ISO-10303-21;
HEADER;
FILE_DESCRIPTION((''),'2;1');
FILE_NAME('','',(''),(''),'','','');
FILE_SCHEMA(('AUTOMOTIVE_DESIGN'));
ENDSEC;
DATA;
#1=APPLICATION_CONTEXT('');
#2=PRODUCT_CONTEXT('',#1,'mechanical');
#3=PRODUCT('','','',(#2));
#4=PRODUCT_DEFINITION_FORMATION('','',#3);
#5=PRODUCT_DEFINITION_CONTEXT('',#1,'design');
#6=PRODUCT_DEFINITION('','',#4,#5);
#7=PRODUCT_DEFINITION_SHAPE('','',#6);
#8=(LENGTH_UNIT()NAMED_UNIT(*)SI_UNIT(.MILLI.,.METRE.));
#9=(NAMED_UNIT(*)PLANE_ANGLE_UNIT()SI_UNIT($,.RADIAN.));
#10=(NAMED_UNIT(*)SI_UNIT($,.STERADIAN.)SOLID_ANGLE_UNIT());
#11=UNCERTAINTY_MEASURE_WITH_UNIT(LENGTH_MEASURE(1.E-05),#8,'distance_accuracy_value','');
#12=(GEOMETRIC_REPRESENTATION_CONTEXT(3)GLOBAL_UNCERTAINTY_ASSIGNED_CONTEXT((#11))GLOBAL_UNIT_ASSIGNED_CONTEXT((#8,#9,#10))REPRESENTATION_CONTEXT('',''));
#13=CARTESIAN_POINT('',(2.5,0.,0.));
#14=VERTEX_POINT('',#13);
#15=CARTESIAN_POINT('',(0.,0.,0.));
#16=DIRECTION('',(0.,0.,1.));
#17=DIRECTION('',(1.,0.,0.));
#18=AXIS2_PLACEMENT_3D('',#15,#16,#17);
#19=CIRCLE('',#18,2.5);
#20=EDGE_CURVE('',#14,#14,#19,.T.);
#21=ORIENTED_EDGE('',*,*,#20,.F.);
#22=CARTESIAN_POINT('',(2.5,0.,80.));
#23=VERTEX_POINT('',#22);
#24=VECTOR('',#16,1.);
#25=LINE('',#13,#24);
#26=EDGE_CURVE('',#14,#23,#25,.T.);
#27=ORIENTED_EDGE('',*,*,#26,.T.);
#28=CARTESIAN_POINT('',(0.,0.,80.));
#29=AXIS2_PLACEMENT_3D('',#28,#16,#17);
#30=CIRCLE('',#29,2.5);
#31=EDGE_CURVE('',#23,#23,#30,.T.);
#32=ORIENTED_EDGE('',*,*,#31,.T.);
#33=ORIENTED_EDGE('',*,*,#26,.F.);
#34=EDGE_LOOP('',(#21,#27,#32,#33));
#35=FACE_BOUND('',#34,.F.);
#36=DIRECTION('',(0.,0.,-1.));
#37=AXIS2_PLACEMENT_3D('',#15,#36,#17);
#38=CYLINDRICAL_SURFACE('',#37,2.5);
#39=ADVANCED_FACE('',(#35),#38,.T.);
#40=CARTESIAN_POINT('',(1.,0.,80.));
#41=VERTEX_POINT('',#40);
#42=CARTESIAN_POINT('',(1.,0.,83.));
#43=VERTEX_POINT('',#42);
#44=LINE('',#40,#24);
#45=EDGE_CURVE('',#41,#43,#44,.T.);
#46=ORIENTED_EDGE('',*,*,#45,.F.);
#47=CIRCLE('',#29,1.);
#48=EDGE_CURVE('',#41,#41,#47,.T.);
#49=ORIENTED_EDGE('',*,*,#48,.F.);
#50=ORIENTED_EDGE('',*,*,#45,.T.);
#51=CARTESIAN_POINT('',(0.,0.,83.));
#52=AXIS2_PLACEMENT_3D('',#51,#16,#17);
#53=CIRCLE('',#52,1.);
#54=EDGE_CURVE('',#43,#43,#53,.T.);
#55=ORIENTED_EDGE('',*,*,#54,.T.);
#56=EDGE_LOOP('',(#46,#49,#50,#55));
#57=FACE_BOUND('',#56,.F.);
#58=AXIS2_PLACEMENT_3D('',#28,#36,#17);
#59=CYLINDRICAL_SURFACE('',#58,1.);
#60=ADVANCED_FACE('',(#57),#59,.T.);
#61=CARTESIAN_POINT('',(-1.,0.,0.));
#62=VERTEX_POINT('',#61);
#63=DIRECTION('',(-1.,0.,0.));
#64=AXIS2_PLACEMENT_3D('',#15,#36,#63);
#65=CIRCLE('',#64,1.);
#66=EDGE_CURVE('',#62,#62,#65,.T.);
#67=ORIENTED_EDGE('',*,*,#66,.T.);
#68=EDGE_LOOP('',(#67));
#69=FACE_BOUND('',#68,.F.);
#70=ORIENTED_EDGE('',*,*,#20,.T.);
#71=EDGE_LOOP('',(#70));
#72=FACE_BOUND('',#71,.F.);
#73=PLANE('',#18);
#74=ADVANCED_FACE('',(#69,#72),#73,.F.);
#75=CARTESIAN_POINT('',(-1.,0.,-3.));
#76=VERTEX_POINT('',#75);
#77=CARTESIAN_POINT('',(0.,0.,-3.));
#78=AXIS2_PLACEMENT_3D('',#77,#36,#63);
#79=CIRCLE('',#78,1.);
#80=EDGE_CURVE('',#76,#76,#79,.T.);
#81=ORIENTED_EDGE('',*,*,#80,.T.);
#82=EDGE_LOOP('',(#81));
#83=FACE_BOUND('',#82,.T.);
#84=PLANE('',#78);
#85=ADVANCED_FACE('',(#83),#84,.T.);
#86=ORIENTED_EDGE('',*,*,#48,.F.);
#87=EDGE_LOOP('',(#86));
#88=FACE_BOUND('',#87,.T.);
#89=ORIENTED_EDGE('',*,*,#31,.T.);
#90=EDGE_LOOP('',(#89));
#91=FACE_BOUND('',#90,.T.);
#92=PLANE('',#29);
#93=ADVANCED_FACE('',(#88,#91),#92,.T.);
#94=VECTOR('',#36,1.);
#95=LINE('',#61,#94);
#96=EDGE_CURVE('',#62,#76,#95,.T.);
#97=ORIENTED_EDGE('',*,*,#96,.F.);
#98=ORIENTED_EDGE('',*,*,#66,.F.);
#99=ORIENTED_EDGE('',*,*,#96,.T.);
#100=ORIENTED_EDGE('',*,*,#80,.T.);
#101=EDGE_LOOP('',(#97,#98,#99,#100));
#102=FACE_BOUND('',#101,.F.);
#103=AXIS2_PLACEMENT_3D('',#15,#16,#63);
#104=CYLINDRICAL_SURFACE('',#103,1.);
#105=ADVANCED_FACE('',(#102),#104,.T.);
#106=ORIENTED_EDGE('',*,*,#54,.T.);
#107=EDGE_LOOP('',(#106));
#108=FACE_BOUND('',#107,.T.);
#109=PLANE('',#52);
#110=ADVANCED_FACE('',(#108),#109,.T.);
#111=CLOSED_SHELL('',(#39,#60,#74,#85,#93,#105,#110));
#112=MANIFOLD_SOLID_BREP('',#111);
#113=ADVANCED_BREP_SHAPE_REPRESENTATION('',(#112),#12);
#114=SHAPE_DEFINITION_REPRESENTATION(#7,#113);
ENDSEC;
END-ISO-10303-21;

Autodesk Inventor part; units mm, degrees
ref_plane "YZ Plane" through (0, 0, 0) normal (1, 0, 0) x (0, 1, 0)
ref_plane "XZ Plane" through (0, 0, 0) normal (0, 1, 0) x (-1, 0, 0)
ref_plane "XY Plane" through (0, 0, 0) normal (0, 0, 1) x (1, 0, 0)
sketch "Sketch1" plane through (0, 0, 0) normal (0, 0, 1) x (1, 0, 0)
  circle A0 centre (0, 0) radius 2.5
  dimension "d0" = 5
extrude "Extrusion1" add sketch "Sketch1" along normal blind 80
sketch "Sketch2" plane through (0, 0, 80) normal (0, 0, 1) x (1, 0, 0)
  circle A0 centre (0, 0) radius 2.5 projected
  circle A1 centre (0, 0) radius 1
  dimension "d3" = 2
extrude "Extrusion2" add sketch "Sketch2" along normal blind 3 contours A1
sketch "Sketch3" plane through (0, 0, 0) normal (0, 0, -1) x (-1, 0, 0)
  circle A0 centre (0, 0) radius 1
  dimension "d6" = 2
extrude "Extrusion3" add sketch "Sketch3" along normal blind 3
properties part number "Bone-8cm"
